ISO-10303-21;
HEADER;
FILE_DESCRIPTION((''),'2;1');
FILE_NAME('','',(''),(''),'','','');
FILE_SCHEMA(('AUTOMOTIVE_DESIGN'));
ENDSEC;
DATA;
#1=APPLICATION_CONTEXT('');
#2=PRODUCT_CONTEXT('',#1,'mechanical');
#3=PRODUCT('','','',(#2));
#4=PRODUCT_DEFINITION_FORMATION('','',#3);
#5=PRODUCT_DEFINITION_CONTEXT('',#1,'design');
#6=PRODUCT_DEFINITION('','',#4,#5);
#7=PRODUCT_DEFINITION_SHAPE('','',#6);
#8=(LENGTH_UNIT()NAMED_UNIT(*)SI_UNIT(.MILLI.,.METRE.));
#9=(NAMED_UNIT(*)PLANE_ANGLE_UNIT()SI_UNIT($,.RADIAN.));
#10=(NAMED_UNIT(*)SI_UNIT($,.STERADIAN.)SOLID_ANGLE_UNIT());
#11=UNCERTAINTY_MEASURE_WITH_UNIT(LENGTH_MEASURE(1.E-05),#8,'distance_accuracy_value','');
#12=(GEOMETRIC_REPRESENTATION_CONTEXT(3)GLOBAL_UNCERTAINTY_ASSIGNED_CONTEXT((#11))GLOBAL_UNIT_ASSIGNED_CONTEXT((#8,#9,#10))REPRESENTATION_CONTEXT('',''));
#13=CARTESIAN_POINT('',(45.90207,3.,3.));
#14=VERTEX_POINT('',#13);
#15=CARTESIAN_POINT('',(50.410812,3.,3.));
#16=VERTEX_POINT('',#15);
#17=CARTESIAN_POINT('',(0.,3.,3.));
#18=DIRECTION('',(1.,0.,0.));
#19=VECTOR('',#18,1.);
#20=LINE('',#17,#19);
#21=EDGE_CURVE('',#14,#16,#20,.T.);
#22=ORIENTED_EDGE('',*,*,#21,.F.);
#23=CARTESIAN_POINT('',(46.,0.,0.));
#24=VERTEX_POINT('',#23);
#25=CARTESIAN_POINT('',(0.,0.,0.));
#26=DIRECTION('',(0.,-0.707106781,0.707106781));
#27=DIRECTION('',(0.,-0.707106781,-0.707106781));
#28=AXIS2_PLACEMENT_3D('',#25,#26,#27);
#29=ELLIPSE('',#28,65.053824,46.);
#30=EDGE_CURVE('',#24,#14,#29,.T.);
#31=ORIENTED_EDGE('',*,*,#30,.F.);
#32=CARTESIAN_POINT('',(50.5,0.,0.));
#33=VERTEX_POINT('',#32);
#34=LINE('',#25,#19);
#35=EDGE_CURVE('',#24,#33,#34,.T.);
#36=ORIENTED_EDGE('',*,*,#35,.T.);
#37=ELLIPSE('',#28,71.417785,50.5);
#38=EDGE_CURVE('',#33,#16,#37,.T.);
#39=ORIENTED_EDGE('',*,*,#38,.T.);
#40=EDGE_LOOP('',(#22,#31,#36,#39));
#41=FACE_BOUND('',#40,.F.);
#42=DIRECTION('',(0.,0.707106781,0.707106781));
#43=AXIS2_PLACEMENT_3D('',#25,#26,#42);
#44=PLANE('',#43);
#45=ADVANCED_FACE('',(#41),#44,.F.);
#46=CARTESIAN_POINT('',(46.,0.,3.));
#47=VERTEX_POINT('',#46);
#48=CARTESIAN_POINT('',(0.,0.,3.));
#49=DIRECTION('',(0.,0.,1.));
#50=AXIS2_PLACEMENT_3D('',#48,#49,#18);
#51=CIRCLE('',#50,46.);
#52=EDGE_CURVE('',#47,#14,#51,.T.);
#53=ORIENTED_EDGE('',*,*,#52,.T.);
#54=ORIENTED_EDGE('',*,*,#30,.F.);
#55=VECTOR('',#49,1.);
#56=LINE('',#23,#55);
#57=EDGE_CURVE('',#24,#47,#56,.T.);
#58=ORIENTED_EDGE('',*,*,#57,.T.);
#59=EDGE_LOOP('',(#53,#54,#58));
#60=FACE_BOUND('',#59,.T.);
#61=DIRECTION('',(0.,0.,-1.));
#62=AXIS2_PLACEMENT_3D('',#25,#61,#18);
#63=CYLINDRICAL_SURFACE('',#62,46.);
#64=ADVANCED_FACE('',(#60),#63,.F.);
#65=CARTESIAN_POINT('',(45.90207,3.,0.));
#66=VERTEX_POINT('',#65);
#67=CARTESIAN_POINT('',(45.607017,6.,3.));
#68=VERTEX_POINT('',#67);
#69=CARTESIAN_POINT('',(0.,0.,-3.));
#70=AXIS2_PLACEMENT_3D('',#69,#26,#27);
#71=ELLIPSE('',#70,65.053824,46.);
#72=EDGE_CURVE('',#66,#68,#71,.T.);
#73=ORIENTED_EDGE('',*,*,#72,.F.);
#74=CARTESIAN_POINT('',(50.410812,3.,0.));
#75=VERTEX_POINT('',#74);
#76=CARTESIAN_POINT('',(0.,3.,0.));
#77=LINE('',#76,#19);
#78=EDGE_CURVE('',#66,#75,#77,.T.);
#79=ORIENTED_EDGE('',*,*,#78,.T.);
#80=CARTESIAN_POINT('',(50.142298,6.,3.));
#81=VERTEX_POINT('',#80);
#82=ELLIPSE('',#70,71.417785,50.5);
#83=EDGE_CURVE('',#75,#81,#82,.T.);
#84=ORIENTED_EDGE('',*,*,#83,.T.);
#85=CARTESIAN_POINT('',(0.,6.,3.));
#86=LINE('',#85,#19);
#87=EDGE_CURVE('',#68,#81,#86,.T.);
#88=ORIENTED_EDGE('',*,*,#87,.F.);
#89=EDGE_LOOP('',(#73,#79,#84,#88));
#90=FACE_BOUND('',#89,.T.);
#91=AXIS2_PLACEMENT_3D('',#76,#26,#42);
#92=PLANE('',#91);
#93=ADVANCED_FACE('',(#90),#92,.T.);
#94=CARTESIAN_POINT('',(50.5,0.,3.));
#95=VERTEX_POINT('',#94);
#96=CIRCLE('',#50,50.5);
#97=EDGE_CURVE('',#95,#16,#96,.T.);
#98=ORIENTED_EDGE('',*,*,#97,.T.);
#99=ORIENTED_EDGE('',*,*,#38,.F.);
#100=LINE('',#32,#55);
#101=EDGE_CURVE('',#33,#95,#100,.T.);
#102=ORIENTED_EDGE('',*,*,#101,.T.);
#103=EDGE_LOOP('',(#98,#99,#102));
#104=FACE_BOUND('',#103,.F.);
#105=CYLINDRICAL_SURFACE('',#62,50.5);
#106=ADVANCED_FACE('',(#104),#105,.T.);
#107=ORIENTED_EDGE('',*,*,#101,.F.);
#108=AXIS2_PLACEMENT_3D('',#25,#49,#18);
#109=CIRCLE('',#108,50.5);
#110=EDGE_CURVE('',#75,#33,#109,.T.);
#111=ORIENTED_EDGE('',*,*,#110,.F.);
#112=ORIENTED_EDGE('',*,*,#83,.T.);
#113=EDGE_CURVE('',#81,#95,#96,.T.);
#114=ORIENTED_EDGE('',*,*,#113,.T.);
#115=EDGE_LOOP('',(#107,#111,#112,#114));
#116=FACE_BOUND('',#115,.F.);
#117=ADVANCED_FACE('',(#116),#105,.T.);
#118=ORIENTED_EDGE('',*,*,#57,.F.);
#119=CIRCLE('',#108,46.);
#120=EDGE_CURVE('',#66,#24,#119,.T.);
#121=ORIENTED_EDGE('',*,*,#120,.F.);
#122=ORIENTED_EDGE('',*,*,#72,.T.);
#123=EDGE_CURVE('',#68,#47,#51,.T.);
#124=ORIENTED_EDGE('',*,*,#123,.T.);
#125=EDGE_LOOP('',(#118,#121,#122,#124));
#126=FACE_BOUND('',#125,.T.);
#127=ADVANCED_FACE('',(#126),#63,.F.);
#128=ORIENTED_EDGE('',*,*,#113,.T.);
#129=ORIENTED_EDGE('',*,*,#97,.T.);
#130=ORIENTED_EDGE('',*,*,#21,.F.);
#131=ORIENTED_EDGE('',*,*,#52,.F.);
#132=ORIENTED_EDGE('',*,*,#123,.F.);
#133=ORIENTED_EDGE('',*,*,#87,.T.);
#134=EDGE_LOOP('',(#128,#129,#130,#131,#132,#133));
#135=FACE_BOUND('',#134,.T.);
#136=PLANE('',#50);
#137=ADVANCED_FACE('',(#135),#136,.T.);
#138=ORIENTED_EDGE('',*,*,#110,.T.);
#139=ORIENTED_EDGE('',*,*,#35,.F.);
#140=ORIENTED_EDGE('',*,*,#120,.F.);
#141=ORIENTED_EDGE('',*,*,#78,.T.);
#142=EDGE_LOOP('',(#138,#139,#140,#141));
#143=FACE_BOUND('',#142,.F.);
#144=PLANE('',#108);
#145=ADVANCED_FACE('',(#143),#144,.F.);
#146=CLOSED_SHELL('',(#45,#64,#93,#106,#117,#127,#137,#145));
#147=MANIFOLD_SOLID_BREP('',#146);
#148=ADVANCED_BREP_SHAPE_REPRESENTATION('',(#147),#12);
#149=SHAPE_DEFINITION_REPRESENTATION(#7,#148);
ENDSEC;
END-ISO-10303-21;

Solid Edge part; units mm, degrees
sketch "Sketch1" plane through (0, 0, 0) normal (0, 0, 1) x (1, 0, 0)
  circle A0 centre (0, 0) radius 46
  circle A1 centre (0, 0) radius 50.5
  dimension "D1" = 101
  dimension "D2" = 92
extrude "Protrusion1" add sketch "Sketch1" along normal blind 3
sketch "Sketch2" plane through (0, 0, 0) normal (1, 0, 0) x (0, 1, 0)
  line L0 (0, 0) -> (3, 3)
  line L1 (3, 3) -> (6, 3)
  line L2 (3, 0) -> (6, 3)
  line L3 (0, 0) -> (3, 0)
extrude "ExtrudedCutout_1" cut sketch "Sketch2" along normal blind 77.4946
properties part number "4" material "Cast Iron"
